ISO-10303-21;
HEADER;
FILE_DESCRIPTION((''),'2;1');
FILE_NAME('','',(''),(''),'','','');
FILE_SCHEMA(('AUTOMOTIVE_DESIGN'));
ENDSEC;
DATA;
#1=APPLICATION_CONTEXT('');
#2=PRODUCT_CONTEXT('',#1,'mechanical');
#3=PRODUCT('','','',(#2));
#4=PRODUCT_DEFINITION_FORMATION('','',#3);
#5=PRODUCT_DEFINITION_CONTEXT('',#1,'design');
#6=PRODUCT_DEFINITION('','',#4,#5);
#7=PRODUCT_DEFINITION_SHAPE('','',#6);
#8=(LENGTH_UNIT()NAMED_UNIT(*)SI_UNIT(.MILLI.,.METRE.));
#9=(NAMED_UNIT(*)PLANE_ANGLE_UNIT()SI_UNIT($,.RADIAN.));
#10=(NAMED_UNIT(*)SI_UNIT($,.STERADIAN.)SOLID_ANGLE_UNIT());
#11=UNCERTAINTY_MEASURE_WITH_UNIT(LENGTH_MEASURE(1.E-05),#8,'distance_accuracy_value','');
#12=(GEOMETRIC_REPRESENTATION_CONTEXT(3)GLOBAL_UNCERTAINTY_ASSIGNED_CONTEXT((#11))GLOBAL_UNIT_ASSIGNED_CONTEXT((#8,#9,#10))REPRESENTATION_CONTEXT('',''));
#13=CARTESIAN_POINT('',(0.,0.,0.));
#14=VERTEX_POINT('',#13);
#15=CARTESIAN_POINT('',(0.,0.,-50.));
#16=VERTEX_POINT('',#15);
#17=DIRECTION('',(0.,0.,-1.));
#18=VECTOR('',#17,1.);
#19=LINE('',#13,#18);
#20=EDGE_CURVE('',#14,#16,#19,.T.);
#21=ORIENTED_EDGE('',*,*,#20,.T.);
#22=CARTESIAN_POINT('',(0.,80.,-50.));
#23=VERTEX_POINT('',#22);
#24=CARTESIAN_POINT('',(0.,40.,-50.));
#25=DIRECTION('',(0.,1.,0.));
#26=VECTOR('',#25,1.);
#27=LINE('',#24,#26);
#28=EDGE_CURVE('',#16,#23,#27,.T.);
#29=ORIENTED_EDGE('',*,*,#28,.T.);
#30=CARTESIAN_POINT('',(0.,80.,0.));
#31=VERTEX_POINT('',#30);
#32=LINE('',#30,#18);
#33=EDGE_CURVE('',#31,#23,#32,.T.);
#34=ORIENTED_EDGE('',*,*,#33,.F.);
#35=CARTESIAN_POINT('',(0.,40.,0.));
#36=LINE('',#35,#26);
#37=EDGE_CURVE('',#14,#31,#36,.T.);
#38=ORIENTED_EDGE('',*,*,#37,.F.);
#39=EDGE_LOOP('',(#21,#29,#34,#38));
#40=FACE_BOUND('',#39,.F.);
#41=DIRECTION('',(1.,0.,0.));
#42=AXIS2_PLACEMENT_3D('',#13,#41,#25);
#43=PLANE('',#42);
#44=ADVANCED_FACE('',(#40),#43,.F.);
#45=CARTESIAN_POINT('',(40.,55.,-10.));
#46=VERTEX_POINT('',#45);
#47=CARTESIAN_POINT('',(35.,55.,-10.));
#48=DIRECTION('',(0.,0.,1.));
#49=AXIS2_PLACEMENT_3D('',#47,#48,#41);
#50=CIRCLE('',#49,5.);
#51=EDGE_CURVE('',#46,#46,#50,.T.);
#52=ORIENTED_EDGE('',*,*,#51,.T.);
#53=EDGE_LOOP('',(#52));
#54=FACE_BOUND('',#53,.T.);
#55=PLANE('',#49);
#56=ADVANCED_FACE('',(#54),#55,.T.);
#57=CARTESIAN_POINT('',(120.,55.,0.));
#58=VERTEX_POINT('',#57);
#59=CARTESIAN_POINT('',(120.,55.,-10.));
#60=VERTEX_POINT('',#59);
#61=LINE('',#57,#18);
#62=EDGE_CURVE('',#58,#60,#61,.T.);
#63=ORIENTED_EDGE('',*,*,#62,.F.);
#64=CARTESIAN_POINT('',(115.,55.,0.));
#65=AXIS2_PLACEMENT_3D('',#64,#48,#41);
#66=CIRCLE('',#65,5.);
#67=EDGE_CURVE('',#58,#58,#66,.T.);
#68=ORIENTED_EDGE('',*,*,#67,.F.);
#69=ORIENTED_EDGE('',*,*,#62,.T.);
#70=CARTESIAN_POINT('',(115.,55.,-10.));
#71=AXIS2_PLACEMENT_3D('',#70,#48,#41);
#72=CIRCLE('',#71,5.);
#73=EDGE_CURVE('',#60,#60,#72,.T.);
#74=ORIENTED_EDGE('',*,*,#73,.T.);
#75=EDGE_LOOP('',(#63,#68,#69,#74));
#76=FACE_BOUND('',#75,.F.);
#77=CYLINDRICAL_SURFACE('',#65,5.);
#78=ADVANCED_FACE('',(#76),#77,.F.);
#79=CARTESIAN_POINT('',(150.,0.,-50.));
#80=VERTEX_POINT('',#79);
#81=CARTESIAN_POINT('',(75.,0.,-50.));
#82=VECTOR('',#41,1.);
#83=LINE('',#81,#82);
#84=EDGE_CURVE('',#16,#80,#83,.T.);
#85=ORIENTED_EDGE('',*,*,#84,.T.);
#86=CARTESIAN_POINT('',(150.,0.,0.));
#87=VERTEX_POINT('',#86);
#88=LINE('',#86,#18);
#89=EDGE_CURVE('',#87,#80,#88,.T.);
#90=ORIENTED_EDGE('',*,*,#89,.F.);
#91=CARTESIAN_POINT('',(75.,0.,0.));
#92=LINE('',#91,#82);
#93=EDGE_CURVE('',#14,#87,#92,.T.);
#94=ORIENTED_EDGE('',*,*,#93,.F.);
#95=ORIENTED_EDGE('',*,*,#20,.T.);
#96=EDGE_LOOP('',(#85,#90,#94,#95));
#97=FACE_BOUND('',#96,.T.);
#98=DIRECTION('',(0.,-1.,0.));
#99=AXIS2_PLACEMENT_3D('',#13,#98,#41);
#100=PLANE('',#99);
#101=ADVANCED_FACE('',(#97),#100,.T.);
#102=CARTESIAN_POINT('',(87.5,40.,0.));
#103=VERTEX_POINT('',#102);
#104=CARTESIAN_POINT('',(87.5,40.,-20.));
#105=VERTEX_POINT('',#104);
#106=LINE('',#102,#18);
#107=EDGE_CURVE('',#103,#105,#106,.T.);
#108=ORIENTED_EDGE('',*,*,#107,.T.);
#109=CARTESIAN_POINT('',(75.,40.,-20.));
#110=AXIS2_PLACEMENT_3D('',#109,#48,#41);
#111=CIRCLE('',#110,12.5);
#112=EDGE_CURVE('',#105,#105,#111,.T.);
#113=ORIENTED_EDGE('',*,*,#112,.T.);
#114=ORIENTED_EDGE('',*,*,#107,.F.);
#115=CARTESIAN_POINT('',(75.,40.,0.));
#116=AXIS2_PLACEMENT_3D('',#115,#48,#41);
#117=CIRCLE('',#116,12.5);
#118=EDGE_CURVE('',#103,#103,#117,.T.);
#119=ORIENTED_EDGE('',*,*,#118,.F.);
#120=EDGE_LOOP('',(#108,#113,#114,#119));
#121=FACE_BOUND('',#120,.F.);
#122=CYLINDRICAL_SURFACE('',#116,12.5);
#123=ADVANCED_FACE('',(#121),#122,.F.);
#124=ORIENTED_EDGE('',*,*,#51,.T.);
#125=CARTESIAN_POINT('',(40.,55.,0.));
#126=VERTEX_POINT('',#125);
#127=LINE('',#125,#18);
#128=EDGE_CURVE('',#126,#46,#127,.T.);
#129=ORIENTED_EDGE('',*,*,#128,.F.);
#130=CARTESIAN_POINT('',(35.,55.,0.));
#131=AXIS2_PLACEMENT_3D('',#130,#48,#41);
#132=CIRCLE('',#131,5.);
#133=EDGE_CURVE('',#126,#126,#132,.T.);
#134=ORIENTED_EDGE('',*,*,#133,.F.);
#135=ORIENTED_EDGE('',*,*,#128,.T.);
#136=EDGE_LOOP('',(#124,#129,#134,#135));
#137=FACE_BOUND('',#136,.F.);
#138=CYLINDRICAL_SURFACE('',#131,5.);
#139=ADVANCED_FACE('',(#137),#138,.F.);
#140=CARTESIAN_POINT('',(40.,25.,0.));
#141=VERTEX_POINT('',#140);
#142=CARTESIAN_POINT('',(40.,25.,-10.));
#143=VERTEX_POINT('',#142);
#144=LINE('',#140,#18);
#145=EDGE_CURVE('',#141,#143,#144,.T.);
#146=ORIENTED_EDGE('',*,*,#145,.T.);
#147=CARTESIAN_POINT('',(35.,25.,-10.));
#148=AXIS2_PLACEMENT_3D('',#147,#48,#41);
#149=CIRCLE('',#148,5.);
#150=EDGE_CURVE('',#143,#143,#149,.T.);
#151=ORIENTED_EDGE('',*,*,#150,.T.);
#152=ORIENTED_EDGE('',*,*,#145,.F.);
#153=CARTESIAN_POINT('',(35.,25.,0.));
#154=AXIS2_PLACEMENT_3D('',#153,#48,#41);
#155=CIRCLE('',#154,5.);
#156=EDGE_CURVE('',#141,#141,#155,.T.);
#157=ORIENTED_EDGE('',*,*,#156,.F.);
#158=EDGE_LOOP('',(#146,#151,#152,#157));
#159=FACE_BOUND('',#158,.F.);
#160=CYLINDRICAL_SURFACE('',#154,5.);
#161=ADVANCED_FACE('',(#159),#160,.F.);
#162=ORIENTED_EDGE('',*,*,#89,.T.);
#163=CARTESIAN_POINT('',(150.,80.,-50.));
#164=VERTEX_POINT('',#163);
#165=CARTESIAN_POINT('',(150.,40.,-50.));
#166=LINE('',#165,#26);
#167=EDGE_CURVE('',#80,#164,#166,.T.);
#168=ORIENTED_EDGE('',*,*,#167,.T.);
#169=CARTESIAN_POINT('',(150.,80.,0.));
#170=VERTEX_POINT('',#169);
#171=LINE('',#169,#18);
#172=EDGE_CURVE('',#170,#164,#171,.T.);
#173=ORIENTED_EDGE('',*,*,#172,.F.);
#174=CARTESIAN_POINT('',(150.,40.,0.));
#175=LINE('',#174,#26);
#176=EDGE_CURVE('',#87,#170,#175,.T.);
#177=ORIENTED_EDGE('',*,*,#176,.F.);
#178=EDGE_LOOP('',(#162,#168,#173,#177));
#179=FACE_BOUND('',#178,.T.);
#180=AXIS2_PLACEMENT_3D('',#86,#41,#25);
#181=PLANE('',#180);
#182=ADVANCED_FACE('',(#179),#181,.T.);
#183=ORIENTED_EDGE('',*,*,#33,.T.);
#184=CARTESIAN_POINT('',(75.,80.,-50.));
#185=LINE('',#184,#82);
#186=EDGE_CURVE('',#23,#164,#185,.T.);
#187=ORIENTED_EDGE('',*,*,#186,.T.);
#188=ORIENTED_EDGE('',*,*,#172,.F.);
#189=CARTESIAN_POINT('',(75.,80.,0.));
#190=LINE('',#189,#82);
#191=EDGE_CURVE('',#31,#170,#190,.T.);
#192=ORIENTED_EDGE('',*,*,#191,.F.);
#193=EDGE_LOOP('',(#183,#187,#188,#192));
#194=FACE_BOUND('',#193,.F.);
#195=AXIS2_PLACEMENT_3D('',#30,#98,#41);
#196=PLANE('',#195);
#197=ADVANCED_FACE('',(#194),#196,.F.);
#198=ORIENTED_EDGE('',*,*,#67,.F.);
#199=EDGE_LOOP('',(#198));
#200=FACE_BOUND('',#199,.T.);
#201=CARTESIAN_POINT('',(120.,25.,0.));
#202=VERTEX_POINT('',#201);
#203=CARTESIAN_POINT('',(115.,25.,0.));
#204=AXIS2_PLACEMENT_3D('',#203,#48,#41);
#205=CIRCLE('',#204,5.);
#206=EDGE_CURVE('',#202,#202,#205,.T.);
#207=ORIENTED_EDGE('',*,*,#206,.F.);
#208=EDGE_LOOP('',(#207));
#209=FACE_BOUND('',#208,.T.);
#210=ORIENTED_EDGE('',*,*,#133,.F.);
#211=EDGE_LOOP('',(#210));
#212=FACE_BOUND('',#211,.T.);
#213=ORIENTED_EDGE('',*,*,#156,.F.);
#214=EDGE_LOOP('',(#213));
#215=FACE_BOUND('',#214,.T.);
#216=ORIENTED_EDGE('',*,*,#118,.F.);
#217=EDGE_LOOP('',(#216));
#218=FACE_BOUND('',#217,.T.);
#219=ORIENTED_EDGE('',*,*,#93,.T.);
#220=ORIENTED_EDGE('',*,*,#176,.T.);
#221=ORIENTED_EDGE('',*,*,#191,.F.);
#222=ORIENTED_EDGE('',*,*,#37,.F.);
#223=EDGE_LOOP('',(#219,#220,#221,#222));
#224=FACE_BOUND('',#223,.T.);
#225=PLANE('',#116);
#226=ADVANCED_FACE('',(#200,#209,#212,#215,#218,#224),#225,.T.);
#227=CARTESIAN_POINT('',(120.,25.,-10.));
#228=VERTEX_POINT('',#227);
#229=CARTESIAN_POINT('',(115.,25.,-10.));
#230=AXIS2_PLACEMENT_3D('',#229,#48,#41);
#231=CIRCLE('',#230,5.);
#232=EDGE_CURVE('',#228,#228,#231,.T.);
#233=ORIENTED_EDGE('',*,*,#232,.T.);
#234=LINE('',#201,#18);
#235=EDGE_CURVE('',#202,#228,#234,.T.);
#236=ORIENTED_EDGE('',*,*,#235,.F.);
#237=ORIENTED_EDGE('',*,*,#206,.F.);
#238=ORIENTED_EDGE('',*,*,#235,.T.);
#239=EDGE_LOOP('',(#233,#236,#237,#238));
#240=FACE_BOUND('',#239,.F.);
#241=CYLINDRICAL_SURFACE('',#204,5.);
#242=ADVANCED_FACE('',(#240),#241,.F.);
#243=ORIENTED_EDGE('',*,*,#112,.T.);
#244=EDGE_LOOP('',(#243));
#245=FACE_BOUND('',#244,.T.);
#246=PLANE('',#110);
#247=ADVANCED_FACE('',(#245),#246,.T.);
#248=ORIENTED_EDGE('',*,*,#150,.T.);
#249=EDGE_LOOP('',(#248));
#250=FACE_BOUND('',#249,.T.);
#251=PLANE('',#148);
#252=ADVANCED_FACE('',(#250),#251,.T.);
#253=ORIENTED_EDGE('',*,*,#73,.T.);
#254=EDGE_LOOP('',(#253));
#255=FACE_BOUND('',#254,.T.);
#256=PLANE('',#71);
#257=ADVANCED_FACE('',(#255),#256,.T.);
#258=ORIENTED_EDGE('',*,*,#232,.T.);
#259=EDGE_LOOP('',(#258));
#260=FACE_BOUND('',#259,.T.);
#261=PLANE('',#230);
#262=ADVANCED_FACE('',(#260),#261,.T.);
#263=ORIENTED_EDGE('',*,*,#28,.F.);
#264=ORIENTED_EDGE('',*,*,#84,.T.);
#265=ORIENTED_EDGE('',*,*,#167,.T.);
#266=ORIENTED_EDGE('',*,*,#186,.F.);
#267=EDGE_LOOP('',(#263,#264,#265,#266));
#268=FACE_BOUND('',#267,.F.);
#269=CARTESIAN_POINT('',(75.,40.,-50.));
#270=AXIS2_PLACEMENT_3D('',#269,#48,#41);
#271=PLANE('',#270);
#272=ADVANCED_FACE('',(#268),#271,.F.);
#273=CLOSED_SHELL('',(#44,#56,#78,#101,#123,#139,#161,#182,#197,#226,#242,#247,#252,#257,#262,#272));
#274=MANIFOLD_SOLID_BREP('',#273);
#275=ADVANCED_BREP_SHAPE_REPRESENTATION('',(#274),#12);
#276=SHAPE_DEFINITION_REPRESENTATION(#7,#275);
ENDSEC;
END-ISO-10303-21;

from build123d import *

# Parameters (mm, degrees)
F0_W     = 150
F0_H     = 80
F1_DEPTH = 50
F2_R     = 12.5
F3_DEPTH = 20
F2_R_2   = 5
F4_DEPTH = 10


with BuildPart() as f1:
    # F0 (on Top) → F1 (new body)
    with BuildSketch(Plane.XY):
        with Locations((75, 40)):
            Rectangle(F0_W, F0_H)
    extrude(amount=-F1_DEPTH)

    # F2 (on face) → F3 (cut)
    with BuildSketch(Plane.XY):
        with Locations((75, 40)):
            Circle(F2_R)
    extrude(amount=-F3_DEPTH, mode=Mode.SUBTRACT)

    # F2 (on face) → F4 (cut)
    with BuildSketch(Plane.XY):
        with Locations((35, 55)):
            Circle(F2_R_2)
        with Locations((115, 55)):
            Circle(F2_R_2)
        with Locations((35, 25)):
            Circle(F2_R_2)
        with Locations((115, 25)):
            Circle(F2_R_2)
    extrude(amount=-F4_DEPTH, mode=Mode.SUBTRACT)


solid = f1.part
